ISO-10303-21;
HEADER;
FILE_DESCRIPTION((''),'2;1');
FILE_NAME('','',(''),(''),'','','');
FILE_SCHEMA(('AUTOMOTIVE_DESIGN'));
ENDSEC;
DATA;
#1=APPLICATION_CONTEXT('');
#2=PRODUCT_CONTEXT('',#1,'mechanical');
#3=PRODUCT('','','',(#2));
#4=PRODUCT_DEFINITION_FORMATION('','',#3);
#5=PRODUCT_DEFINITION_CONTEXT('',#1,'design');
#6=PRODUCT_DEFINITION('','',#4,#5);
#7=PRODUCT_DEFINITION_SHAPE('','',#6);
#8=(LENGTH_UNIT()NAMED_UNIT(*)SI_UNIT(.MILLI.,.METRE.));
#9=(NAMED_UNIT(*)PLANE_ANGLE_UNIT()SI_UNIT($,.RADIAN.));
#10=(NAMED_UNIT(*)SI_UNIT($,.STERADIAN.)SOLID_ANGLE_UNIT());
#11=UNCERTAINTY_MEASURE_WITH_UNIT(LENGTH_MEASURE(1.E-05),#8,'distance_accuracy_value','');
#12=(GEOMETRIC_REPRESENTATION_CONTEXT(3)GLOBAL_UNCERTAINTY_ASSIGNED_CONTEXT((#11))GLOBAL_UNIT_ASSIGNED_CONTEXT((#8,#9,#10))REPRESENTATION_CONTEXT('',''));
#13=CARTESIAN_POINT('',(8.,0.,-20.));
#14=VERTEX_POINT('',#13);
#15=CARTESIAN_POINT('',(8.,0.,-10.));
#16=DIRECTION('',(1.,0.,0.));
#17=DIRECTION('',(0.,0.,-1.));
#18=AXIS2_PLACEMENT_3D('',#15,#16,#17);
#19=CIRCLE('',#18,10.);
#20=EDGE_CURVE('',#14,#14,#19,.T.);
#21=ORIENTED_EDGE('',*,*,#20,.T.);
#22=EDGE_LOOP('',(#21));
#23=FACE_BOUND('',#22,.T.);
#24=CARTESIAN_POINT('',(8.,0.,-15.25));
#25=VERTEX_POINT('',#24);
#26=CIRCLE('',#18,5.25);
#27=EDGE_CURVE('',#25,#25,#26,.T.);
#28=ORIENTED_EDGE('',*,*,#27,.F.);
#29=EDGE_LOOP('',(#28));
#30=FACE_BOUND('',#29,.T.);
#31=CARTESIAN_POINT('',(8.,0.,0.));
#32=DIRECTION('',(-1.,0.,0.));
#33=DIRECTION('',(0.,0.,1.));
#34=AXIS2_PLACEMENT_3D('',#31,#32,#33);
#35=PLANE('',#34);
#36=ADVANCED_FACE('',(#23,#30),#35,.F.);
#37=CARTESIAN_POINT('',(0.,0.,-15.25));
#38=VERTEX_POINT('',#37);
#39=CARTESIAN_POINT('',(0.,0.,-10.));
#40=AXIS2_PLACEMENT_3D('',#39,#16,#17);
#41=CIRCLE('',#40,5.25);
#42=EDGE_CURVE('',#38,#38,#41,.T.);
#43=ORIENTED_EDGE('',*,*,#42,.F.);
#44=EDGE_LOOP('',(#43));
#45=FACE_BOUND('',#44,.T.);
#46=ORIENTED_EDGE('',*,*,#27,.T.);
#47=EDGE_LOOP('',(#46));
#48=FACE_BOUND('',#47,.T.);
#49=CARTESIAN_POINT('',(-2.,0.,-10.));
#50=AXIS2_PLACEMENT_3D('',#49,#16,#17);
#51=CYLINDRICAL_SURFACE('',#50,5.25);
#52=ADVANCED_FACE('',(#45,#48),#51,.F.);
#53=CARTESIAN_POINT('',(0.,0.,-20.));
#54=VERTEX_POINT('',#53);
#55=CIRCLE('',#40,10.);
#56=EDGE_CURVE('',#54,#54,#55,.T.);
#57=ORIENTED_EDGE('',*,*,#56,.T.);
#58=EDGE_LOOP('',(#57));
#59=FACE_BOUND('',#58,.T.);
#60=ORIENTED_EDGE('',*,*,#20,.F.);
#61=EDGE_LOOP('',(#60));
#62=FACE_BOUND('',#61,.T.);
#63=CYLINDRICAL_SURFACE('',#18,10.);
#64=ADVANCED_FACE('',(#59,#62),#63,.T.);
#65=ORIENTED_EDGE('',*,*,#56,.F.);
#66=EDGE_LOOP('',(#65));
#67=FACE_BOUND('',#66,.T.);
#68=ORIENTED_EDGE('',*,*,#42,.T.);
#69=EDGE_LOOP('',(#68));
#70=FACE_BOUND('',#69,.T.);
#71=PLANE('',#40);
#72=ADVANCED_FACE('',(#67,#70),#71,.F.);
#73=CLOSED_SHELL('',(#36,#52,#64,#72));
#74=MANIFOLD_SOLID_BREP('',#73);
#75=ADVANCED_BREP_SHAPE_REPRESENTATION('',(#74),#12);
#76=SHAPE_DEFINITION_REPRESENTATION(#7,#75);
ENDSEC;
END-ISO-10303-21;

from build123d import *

# Parameters (mm, degrees)
ESQUISSE1_W             = 8
ESQUISSE1_H             = 10
ESQUISSE2_R             = 5.25
ENL_V_MAT_EXTRU_1_DEPTH = 10


with BuildPart() as part:
    # Esquisse1 → Révolution1 (revolve)
    with BuildSketch(Plane(origin=(0, 0, 0), x_dir=(1, 0, 0), z_dir=(0, 1, 0)), mode=Mode.PRIVATE) as r_volution1_sk:
        with Locations((4, 5)):
            Rectangle(ESQUISSE1_W, ESQUISSE1_H)
    revolve(r_volution1_sk.sketch.rotate(Axis((8, 0, -10), (-1, 0, 0)), 180), axis=Axis((8, 0, -10), (-1, 0, 0)))

    # Esquisse2 → Enlèv. mat.-Extru.1 (cut)
    with BuildSketch(Plane(origin=(8, 0, 0), x_dir=(0, 0, -1), z_dir=(1, 0, 0))):
        with Locations((10, 0)):
            Circle(ESQUISSE2_R)
    extrude(amount=-ENL_V_MAT_EXTRU_1_DEPTH, mode=Mode.SUBTRACT)


solid = part.part
